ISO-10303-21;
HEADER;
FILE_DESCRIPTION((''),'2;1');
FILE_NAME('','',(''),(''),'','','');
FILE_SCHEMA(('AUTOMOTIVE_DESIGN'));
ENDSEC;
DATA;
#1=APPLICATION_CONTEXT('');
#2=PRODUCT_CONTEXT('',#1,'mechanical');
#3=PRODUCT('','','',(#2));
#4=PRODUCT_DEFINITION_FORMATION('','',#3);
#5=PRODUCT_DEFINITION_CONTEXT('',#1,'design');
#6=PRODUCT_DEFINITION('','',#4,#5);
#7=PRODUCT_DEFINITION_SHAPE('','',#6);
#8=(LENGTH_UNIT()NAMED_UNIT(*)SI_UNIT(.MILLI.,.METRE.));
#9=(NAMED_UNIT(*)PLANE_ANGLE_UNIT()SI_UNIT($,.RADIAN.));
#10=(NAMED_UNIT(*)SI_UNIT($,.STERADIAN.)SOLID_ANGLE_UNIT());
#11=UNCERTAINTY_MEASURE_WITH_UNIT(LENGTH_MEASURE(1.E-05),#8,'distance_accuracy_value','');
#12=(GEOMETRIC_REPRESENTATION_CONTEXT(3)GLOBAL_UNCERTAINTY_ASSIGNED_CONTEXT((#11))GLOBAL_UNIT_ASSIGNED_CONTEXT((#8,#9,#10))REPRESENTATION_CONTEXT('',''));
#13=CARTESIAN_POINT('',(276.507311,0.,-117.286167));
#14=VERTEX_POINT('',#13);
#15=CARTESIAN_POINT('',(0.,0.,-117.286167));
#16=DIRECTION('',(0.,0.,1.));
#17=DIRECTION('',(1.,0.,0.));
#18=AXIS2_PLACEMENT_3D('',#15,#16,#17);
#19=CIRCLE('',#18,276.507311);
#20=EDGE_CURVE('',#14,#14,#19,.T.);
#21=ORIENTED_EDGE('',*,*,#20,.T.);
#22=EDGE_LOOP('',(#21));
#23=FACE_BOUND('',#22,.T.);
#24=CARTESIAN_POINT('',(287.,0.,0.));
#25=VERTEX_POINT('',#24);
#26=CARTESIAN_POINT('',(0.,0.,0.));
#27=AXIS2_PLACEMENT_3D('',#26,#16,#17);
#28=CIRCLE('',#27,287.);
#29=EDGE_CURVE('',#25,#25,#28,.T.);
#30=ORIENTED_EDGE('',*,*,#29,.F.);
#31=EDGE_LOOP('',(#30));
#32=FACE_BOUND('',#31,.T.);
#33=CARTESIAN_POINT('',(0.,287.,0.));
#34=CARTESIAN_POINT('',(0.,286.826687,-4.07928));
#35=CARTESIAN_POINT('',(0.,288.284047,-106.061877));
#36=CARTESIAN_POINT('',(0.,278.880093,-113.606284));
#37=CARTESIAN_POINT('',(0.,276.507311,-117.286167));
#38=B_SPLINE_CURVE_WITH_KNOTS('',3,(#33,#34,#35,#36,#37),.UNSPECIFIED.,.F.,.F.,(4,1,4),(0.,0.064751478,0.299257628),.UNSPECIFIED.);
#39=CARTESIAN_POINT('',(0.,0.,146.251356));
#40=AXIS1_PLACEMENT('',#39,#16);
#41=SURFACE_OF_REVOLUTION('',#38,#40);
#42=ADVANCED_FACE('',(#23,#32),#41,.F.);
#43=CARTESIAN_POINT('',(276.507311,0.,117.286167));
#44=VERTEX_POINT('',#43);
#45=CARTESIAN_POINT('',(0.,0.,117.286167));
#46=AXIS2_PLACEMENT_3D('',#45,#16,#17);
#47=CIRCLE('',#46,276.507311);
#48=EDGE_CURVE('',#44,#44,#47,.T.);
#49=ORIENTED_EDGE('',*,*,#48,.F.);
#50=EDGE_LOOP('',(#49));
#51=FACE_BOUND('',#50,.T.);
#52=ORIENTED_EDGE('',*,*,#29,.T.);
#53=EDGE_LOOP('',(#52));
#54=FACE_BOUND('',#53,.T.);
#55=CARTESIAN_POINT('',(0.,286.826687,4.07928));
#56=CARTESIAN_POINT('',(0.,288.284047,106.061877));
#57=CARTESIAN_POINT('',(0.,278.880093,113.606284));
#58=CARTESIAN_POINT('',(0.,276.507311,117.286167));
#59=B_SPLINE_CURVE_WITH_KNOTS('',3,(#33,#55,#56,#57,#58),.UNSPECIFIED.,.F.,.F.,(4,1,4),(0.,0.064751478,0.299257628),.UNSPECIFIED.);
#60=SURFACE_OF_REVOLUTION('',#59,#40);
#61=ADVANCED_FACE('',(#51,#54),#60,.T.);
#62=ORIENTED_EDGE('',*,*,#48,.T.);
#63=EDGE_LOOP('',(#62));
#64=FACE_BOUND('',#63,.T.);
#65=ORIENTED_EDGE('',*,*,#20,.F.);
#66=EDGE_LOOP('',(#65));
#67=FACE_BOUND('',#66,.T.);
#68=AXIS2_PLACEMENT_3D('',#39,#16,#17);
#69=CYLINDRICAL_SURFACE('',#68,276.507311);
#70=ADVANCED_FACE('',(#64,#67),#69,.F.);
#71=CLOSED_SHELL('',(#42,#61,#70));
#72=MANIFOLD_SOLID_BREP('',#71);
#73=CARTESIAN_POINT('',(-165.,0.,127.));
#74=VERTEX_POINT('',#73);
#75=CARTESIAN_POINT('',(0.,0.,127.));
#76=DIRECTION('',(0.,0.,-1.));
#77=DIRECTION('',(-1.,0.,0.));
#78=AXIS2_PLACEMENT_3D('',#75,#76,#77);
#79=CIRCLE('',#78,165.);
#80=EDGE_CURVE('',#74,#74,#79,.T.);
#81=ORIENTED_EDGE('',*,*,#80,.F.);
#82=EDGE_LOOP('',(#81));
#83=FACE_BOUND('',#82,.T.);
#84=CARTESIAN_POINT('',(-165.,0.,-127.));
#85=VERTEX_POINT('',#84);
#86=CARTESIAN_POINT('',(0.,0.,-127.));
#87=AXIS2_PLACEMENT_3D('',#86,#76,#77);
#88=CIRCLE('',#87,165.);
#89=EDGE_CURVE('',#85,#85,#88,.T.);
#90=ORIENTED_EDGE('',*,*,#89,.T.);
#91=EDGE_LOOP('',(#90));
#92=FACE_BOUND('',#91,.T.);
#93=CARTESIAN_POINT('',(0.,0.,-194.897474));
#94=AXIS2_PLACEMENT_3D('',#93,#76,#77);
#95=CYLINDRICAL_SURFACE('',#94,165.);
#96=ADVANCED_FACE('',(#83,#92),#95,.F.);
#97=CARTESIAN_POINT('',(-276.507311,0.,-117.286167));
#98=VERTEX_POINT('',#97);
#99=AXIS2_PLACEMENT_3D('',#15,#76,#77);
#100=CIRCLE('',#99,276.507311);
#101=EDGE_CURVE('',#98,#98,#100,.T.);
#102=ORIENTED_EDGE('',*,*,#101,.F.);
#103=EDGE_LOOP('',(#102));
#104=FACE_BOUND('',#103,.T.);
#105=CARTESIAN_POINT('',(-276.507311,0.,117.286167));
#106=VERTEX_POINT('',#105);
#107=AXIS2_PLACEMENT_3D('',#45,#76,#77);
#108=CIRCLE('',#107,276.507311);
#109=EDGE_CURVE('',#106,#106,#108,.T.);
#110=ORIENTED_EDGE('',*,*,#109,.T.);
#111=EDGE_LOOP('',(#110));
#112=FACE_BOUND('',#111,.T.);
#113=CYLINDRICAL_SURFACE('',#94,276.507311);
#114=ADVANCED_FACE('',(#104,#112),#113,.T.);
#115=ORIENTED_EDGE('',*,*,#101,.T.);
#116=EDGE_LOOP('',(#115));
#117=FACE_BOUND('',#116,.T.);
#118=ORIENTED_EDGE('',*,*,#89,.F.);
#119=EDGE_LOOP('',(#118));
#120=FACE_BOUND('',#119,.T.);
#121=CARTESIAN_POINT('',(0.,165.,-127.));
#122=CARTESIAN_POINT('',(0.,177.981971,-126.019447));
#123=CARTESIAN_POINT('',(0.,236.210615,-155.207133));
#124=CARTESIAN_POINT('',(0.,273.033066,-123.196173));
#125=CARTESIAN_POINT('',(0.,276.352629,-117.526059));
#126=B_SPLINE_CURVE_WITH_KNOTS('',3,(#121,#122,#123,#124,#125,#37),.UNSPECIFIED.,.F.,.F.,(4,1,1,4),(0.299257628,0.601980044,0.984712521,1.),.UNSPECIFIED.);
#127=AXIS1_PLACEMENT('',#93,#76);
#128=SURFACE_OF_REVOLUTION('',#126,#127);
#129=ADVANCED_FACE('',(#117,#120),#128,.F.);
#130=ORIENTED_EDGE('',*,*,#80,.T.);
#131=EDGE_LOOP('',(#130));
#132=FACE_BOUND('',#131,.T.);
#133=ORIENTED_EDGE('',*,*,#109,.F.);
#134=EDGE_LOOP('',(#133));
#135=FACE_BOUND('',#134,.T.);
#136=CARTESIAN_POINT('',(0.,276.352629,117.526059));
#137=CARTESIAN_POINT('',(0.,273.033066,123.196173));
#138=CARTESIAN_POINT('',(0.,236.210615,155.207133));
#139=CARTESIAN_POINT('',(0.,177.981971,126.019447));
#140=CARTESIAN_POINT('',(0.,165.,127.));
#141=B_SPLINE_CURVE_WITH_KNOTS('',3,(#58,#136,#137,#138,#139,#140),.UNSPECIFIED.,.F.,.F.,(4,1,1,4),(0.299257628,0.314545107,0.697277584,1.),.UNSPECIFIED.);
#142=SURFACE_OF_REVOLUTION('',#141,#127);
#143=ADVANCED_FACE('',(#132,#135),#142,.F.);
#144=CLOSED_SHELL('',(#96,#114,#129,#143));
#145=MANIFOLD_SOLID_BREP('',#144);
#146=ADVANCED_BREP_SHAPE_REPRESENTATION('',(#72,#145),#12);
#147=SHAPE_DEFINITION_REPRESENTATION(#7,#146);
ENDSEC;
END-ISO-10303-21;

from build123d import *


with BuildPart() as part:
    # Sketch1 → Revolve1 (revolve)
    with BuildSketch(Plane(origin=(0, 0, 0), x_dir=(0, 0, -1), z_dir=(1, 0, 0))):
        with BuildLine():
            Line((-117.286167083, 276.507310694), (117.286167083, 276.507310694))
            add(Edge.make_bspline(
                [(0, 287), (4.079279904, 286.826687196), (106.061876701, 288.284046759), (113.606283575, 278.880093182), (117.286167083, 276.507310694)],
                knots=[0, 0, 0, 0, 0.064751478, 0.299257628, 0.299257628, 0.299257628, 0.299257628], degree=3))
            add(Edge.make_bspline(
                [(0, 287), (-4.079279904, 286.826687196), (-106.061876701, 288.284046759), (-113.606283575, 278.880093182), (-117.286167083, 276.507310694)],
                knots=[0, 0, 0, 0, 0.064751478, 0.299257628, 0.299257628, 0.299257628, 0.299257628], degree=3))
        make_face()
    revolve(axis=Axis((0, 0, 146.251356054), (0, 0, -1)))


with BuildPart() as body_2:
    # Sketch7 → Revolve2 (revolve)
    with BuildSketch(Plane(origin=(0, 0, 0), x_dir=(0, 0, -1), z_dir=(1, 0, 0))):
        with BuildLine():
            Line((-117.286167083, 276.507310694), (117.286167083, 276.507310694))
            add(Edge.make_bspline(
                [(117.286167083, 276.507310694), (117.526059044, 276.352628775), (123.196173432, 273.03306649), (155.207133321, 236.210615055), (126.01944742, 177.98197113), (127, 165)],
                knots=[0.299257628, 0.299257628, 0.299257628, 0.299257628, 0.314545107, 0.697277584, 1, 1, 1, 1], degree=3))
            Line((127, 165), (-127, 165))
            add(Edge.make_bspline(
                [(-117.286167083, 276.507310694), (-117.526059044, 276.352628775), (-123.196173432, 273.03306649), (-155.207133321, 236.210615055), (-126.01944742, 177.98197113), (-127, 165)],
                knots=[0.299257628, 0.299257628, 0.299257628, 0.299257628, 0.314545107, 0.697277584, 1, 1, 1, 1], degree=3))
        make_face()
    revolve(axis=Axis((0, 0, -194.897474353), (0, 0, 1)))


solid = Compound([part.part, body_2.part])
